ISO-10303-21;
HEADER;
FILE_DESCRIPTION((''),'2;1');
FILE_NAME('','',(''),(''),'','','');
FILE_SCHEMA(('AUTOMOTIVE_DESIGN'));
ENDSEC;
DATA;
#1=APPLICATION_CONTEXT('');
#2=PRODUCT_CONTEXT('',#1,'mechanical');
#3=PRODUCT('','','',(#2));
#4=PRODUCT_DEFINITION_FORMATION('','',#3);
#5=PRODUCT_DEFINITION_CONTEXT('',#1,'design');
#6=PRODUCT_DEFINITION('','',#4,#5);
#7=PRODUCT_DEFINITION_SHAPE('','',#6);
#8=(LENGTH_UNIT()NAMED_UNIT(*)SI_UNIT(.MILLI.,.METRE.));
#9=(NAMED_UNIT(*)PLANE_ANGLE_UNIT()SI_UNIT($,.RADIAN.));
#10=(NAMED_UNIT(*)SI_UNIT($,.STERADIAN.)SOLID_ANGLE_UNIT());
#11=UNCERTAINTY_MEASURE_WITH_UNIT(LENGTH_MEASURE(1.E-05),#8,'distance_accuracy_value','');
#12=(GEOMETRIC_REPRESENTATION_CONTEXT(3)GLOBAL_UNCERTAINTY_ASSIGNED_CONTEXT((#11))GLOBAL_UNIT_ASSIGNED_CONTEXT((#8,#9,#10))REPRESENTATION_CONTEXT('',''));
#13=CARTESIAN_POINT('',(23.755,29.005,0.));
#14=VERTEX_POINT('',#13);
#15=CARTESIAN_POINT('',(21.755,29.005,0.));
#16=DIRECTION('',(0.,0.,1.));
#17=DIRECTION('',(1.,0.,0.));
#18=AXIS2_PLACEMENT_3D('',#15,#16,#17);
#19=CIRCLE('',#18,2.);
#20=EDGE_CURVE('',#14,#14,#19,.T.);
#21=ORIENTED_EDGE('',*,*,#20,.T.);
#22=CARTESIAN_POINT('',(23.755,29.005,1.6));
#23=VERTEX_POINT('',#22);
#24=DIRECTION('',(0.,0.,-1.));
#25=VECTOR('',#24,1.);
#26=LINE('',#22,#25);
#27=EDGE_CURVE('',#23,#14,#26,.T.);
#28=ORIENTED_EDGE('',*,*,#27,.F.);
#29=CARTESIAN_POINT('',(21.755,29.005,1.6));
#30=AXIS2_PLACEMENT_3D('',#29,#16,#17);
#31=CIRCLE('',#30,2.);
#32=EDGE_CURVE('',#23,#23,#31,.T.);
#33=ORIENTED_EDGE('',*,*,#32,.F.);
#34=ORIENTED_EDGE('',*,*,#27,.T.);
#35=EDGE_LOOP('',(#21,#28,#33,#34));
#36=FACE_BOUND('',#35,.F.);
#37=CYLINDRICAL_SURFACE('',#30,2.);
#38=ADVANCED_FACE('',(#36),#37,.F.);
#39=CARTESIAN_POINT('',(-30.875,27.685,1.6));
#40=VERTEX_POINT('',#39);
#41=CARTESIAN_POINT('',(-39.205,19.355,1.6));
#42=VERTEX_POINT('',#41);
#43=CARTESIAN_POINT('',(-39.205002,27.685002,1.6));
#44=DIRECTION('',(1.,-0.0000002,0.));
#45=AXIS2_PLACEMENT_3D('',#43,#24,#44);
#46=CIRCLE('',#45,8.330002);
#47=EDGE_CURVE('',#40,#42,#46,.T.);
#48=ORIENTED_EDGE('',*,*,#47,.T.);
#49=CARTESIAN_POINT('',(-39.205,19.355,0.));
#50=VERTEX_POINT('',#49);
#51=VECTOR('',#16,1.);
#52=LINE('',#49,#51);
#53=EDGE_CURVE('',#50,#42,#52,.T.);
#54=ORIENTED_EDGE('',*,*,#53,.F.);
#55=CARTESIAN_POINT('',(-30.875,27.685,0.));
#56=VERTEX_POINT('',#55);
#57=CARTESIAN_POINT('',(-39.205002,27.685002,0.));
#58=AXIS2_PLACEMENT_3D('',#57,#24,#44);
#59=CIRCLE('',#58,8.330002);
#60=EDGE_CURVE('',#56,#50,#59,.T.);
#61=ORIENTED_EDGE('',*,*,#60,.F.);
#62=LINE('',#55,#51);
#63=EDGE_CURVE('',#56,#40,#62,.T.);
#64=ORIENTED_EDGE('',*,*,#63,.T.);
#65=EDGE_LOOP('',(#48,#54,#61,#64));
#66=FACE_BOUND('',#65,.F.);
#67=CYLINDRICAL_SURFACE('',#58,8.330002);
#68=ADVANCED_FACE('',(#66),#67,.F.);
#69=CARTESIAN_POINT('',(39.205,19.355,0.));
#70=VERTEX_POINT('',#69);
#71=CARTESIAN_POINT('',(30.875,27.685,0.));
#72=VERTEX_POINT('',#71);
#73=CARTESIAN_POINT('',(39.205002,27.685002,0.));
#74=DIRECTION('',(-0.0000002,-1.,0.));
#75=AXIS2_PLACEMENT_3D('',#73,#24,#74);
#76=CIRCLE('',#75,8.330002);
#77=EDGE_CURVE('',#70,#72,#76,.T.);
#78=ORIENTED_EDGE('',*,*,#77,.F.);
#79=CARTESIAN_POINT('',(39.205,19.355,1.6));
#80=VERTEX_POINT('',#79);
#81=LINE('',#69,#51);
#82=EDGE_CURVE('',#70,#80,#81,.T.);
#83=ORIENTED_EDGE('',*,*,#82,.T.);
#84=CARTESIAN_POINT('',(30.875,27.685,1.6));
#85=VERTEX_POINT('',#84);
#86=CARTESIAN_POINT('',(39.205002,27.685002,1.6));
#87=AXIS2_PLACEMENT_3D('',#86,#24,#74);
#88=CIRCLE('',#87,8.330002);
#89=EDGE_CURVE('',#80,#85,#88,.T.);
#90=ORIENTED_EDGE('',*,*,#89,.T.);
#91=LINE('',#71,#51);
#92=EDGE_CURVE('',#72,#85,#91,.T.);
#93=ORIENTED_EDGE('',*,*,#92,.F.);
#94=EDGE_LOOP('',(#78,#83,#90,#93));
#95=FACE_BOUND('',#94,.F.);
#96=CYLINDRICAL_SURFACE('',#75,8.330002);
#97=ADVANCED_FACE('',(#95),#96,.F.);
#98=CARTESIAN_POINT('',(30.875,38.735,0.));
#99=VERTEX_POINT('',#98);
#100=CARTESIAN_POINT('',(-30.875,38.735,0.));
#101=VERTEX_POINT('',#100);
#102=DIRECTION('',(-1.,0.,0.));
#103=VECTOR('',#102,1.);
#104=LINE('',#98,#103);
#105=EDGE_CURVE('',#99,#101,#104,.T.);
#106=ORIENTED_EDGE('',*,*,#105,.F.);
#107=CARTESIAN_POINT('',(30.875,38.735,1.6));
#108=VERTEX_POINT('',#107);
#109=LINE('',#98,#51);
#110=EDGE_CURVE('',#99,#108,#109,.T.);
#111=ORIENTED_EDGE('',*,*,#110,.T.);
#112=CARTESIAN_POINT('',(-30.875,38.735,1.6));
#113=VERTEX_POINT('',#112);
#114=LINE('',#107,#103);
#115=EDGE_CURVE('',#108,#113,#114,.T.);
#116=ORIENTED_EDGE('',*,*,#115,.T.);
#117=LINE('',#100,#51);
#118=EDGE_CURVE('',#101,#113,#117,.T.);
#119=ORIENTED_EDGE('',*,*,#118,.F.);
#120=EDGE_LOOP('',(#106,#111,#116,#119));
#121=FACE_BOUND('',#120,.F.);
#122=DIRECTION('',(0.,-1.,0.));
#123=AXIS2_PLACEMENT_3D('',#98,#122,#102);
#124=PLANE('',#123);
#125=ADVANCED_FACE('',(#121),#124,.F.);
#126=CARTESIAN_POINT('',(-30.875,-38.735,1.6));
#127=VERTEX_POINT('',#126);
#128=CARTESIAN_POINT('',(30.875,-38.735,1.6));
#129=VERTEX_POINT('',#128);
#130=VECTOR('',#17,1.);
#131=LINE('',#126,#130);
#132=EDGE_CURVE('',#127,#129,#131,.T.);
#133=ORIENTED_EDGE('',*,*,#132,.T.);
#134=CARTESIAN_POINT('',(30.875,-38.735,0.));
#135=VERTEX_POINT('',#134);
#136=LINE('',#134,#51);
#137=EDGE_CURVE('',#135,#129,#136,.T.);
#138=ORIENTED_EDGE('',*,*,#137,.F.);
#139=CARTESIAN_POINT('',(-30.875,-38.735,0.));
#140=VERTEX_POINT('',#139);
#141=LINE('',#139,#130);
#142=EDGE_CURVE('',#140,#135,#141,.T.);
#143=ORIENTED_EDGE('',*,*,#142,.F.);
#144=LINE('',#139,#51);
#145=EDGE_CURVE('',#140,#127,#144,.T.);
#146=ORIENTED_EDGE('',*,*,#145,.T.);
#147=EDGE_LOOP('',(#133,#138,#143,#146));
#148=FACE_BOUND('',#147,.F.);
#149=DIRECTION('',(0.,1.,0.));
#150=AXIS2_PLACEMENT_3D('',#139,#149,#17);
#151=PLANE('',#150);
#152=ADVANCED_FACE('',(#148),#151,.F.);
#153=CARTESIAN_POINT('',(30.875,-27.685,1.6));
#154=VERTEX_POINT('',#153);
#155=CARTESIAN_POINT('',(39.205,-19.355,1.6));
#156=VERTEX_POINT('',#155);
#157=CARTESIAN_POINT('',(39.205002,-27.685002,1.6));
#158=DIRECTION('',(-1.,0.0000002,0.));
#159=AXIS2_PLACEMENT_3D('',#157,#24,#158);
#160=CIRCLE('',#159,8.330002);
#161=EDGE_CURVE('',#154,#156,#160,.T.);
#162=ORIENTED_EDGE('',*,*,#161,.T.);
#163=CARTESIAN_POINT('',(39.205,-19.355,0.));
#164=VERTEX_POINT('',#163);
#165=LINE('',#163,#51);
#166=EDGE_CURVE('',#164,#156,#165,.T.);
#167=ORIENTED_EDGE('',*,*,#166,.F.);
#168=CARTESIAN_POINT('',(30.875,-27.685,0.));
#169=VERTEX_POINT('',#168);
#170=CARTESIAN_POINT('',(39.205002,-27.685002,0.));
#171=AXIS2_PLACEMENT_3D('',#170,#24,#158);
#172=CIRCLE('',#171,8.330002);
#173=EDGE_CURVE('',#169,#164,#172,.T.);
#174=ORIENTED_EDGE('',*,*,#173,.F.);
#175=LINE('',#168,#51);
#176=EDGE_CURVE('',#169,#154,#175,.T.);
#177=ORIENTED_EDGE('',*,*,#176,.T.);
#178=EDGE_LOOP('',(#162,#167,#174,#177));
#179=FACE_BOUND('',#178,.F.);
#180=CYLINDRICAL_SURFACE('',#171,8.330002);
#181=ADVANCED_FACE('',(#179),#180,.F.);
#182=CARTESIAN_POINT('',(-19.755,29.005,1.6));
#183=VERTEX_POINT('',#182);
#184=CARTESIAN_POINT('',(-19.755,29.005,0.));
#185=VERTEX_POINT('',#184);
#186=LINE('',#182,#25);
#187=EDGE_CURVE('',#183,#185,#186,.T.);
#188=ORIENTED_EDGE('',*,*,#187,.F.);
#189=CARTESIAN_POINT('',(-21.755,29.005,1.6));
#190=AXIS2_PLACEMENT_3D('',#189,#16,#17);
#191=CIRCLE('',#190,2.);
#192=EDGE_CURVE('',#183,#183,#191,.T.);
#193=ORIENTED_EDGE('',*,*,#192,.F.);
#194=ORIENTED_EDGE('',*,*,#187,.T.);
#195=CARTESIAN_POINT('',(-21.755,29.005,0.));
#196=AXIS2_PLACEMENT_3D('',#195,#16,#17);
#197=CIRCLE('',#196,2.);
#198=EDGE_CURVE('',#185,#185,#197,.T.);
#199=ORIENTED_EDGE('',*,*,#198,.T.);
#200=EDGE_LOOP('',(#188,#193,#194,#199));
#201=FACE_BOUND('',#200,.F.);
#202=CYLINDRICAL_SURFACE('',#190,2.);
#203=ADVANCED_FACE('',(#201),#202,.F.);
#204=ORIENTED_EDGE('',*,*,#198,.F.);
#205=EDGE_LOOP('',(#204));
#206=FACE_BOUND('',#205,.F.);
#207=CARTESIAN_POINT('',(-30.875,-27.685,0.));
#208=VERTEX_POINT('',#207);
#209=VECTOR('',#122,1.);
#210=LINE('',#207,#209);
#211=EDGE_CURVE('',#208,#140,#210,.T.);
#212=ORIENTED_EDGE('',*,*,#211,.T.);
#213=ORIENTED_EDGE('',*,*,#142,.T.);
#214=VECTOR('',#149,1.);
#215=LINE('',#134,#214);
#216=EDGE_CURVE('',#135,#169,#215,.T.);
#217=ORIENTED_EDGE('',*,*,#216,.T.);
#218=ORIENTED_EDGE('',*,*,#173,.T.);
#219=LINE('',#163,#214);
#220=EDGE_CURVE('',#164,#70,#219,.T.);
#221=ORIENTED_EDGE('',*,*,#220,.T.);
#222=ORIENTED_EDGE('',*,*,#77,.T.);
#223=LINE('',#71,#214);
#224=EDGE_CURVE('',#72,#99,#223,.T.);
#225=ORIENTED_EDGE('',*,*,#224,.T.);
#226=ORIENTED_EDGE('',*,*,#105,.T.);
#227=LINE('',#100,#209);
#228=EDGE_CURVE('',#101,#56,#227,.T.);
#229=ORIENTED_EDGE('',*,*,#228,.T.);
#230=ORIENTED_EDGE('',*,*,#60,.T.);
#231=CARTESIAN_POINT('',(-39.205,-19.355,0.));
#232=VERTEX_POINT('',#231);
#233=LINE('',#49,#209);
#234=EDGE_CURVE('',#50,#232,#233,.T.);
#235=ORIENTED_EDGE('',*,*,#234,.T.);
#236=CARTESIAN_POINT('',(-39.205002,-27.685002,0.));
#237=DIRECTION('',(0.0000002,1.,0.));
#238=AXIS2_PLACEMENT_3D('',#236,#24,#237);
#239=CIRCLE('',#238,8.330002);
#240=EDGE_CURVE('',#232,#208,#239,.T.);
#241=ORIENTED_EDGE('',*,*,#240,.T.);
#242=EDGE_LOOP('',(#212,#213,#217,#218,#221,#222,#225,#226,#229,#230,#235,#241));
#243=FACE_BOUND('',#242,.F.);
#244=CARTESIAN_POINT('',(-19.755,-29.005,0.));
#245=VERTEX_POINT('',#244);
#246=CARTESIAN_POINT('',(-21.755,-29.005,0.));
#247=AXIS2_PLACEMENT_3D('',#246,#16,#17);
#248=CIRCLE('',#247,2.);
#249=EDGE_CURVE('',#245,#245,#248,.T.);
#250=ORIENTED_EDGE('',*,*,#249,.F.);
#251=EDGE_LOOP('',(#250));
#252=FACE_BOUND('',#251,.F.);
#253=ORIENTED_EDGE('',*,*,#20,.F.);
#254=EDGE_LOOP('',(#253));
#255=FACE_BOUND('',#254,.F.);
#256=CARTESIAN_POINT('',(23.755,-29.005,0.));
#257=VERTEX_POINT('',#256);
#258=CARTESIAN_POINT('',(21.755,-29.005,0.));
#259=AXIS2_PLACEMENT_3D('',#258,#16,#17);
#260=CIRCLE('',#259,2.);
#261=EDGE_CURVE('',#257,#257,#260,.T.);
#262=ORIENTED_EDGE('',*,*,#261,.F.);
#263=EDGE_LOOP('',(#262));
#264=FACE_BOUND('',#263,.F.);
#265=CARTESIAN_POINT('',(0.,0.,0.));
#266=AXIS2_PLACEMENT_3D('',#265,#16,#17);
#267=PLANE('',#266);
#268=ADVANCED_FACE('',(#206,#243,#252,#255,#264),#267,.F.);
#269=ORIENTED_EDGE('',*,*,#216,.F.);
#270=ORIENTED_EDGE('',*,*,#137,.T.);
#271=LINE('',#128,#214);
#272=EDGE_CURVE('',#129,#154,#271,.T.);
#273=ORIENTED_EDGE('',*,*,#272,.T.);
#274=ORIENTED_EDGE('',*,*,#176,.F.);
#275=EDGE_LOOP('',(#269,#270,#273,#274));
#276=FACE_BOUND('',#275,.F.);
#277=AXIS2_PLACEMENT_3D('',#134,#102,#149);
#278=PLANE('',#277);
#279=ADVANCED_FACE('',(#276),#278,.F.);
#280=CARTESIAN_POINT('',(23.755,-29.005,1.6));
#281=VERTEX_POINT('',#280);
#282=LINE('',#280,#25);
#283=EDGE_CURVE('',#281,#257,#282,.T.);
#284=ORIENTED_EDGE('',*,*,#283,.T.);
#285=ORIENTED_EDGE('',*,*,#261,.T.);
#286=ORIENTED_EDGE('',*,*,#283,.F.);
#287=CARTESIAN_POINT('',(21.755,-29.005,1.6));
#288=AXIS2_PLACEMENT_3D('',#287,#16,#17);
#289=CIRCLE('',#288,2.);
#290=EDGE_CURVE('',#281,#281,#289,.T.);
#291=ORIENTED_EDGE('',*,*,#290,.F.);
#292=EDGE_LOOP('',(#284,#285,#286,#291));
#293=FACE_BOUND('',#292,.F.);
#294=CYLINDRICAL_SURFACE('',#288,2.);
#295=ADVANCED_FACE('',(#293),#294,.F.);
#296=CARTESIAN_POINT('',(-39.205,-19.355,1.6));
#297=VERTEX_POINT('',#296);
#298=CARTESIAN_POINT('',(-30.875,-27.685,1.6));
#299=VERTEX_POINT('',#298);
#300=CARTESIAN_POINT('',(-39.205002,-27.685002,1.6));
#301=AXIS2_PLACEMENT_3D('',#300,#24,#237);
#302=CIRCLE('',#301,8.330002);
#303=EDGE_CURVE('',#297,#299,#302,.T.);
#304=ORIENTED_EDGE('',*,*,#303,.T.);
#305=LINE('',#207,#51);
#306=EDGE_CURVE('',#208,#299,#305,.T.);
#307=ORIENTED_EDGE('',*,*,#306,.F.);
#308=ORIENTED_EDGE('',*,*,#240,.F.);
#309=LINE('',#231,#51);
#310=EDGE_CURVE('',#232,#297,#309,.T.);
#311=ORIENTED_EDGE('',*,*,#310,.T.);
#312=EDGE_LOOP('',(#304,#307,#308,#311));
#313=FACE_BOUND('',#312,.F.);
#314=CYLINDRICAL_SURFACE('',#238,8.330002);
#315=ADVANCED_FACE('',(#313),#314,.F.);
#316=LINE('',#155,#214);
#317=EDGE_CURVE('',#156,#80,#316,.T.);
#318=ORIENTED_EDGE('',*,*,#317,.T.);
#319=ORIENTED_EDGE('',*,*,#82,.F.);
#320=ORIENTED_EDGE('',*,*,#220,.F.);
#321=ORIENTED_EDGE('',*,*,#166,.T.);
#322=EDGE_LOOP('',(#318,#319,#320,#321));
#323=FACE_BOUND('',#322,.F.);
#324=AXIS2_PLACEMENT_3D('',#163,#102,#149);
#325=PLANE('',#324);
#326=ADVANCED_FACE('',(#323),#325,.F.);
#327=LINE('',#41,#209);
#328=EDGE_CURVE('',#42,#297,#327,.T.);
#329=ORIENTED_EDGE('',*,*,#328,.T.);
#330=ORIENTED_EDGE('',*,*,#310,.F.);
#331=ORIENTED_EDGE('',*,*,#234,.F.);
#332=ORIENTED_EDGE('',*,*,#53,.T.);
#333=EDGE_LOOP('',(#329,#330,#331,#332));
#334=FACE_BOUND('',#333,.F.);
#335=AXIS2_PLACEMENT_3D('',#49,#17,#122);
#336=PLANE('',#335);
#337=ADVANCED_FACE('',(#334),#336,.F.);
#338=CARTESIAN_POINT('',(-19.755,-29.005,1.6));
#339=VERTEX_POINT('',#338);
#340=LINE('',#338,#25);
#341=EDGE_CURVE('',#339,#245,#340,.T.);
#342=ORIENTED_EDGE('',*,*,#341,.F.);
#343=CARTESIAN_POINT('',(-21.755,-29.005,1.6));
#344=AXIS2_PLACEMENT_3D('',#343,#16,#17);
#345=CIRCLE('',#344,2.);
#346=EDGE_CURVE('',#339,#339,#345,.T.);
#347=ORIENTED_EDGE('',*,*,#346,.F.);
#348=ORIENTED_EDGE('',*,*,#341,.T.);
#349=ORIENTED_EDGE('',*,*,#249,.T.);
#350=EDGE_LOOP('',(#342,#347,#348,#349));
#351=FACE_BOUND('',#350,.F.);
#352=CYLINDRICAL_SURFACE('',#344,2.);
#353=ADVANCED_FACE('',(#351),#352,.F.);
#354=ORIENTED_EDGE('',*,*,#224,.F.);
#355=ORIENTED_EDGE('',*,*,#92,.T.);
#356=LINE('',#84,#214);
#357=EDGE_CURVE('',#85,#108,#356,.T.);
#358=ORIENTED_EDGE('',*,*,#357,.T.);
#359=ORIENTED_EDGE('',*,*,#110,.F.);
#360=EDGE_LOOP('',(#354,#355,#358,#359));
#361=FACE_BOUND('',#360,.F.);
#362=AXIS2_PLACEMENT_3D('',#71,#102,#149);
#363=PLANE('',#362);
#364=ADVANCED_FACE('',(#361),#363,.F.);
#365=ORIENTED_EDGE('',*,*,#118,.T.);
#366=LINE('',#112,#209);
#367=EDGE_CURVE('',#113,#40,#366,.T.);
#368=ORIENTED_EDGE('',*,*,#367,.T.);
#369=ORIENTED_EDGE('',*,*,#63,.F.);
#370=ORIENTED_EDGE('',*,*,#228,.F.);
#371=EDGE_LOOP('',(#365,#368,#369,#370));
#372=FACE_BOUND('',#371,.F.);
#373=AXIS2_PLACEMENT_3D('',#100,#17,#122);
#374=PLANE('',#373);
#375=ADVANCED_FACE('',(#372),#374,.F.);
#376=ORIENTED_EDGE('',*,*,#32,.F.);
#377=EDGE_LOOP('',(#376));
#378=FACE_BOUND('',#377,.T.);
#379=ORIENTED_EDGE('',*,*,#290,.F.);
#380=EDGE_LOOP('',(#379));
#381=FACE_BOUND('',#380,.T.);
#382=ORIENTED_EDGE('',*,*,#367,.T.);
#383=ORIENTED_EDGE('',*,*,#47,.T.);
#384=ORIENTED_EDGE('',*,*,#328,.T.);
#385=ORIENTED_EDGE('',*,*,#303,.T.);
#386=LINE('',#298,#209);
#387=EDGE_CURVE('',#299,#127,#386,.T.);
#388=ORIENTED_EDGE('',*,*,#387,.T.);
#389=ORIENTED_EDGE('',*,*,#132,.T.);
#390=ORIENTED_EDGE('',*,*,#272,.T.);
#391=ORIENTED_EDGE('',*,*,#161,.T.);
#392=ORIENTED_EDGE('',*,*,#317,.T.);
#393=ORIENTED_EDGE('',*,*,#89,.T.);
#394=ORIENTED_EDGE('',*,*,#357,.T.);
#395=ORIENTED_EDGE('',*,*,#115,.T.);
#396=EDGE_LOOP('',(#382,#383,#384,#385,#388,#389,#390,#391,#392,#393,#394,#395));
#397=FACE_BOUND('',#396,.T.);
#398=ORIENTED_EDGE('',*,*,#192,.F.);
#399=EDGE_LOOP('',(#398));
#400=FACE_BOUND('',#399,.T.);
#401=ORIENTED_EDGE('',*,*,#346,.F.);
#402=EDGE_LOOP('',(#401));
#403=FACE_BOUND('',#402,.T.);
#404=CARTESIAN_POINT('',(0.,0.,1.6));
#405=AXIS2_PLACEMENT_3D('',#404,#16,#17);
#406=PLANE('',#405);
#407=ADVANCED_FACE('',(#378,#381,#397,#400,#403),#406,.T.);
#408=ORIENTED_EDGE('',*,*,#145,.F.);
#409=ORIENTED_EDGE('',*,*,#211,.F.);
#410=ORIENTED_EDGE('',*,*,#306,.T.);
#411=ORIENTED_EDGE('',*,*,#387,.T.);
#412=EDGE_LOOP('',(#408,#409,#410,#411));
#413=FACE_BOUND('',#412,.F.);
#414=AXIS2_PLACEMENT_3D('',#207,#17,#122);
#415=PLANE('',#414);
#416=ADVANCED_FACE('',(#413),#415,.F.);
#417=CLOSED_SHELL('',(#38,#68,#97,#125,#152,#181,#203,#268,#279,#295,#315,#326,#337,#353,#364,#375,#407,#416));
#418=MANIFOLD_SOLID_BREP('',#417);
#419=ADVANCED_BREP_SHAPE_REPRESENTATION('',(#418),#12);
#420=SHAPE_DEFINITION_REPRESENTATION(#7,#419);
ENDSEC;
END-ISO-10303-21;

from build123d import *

# Parameters (mm, degrees)
F1_DEPTH = 1.6
F2_R     = 2
F3_DEPTH = 25


with BuildPart() as f1:
    # F0 (on Top) → F1 (new body)
    with BuildSketch(Plane.XY):
        with BuildLine():
            Line((30.875, 38.735), (-30.875, 38.735))
            Line((-30.875, 38.735), (-30.875, 27.685))
            ThreePointArc((-30.875, 27.685), (-33.314801, 21.794801), (-39.205, 19.355))
            Line((-39.205, 19.355), (-39.205, -19.355))
            ThreePointArc((-39.205, -19.355), (-33.314801, -21.794801), (-30.875, -27.685))
            Line((-30.875, -27.685), (-30.875, -38.735))
            Line((-30.875, -38.735), (30.875, -38.735))
            Line((30.875, -38.735), (30.875, -27.685))
            ThreePointArc((30.875, -27.685), (33.314801, -21.794801), (39.205, -19.355))
            Line((39.205, -19.355), (39.205, 19.355))
            ThreePointArc((39.205, 19.355), (33.314801, 21.794801), (30.875, 27.685))
            Line((30.875, 27.685), (30.875, 38.735))
        make_face()
    extrude(amount=F1_DEPTH)

    # F2 (on face) → F3 (cut)
    with BuildSketch(Plane.XY.offset(1.6)):
        with Locations((-21.755, 29.005)):
            Circle(F2_R)
        with Locations((21.755, 29.005)):
            Circle(F2_R)
        with Locations((-21.755, -29.005)):
            Circle(F2_R)
        with Locations((21.755, -29.005)):
            Circle(F2_R)
    extrude(amount=-F3_DEPTH, mode=Mode.SUBTRACT)


solid = f1.part
